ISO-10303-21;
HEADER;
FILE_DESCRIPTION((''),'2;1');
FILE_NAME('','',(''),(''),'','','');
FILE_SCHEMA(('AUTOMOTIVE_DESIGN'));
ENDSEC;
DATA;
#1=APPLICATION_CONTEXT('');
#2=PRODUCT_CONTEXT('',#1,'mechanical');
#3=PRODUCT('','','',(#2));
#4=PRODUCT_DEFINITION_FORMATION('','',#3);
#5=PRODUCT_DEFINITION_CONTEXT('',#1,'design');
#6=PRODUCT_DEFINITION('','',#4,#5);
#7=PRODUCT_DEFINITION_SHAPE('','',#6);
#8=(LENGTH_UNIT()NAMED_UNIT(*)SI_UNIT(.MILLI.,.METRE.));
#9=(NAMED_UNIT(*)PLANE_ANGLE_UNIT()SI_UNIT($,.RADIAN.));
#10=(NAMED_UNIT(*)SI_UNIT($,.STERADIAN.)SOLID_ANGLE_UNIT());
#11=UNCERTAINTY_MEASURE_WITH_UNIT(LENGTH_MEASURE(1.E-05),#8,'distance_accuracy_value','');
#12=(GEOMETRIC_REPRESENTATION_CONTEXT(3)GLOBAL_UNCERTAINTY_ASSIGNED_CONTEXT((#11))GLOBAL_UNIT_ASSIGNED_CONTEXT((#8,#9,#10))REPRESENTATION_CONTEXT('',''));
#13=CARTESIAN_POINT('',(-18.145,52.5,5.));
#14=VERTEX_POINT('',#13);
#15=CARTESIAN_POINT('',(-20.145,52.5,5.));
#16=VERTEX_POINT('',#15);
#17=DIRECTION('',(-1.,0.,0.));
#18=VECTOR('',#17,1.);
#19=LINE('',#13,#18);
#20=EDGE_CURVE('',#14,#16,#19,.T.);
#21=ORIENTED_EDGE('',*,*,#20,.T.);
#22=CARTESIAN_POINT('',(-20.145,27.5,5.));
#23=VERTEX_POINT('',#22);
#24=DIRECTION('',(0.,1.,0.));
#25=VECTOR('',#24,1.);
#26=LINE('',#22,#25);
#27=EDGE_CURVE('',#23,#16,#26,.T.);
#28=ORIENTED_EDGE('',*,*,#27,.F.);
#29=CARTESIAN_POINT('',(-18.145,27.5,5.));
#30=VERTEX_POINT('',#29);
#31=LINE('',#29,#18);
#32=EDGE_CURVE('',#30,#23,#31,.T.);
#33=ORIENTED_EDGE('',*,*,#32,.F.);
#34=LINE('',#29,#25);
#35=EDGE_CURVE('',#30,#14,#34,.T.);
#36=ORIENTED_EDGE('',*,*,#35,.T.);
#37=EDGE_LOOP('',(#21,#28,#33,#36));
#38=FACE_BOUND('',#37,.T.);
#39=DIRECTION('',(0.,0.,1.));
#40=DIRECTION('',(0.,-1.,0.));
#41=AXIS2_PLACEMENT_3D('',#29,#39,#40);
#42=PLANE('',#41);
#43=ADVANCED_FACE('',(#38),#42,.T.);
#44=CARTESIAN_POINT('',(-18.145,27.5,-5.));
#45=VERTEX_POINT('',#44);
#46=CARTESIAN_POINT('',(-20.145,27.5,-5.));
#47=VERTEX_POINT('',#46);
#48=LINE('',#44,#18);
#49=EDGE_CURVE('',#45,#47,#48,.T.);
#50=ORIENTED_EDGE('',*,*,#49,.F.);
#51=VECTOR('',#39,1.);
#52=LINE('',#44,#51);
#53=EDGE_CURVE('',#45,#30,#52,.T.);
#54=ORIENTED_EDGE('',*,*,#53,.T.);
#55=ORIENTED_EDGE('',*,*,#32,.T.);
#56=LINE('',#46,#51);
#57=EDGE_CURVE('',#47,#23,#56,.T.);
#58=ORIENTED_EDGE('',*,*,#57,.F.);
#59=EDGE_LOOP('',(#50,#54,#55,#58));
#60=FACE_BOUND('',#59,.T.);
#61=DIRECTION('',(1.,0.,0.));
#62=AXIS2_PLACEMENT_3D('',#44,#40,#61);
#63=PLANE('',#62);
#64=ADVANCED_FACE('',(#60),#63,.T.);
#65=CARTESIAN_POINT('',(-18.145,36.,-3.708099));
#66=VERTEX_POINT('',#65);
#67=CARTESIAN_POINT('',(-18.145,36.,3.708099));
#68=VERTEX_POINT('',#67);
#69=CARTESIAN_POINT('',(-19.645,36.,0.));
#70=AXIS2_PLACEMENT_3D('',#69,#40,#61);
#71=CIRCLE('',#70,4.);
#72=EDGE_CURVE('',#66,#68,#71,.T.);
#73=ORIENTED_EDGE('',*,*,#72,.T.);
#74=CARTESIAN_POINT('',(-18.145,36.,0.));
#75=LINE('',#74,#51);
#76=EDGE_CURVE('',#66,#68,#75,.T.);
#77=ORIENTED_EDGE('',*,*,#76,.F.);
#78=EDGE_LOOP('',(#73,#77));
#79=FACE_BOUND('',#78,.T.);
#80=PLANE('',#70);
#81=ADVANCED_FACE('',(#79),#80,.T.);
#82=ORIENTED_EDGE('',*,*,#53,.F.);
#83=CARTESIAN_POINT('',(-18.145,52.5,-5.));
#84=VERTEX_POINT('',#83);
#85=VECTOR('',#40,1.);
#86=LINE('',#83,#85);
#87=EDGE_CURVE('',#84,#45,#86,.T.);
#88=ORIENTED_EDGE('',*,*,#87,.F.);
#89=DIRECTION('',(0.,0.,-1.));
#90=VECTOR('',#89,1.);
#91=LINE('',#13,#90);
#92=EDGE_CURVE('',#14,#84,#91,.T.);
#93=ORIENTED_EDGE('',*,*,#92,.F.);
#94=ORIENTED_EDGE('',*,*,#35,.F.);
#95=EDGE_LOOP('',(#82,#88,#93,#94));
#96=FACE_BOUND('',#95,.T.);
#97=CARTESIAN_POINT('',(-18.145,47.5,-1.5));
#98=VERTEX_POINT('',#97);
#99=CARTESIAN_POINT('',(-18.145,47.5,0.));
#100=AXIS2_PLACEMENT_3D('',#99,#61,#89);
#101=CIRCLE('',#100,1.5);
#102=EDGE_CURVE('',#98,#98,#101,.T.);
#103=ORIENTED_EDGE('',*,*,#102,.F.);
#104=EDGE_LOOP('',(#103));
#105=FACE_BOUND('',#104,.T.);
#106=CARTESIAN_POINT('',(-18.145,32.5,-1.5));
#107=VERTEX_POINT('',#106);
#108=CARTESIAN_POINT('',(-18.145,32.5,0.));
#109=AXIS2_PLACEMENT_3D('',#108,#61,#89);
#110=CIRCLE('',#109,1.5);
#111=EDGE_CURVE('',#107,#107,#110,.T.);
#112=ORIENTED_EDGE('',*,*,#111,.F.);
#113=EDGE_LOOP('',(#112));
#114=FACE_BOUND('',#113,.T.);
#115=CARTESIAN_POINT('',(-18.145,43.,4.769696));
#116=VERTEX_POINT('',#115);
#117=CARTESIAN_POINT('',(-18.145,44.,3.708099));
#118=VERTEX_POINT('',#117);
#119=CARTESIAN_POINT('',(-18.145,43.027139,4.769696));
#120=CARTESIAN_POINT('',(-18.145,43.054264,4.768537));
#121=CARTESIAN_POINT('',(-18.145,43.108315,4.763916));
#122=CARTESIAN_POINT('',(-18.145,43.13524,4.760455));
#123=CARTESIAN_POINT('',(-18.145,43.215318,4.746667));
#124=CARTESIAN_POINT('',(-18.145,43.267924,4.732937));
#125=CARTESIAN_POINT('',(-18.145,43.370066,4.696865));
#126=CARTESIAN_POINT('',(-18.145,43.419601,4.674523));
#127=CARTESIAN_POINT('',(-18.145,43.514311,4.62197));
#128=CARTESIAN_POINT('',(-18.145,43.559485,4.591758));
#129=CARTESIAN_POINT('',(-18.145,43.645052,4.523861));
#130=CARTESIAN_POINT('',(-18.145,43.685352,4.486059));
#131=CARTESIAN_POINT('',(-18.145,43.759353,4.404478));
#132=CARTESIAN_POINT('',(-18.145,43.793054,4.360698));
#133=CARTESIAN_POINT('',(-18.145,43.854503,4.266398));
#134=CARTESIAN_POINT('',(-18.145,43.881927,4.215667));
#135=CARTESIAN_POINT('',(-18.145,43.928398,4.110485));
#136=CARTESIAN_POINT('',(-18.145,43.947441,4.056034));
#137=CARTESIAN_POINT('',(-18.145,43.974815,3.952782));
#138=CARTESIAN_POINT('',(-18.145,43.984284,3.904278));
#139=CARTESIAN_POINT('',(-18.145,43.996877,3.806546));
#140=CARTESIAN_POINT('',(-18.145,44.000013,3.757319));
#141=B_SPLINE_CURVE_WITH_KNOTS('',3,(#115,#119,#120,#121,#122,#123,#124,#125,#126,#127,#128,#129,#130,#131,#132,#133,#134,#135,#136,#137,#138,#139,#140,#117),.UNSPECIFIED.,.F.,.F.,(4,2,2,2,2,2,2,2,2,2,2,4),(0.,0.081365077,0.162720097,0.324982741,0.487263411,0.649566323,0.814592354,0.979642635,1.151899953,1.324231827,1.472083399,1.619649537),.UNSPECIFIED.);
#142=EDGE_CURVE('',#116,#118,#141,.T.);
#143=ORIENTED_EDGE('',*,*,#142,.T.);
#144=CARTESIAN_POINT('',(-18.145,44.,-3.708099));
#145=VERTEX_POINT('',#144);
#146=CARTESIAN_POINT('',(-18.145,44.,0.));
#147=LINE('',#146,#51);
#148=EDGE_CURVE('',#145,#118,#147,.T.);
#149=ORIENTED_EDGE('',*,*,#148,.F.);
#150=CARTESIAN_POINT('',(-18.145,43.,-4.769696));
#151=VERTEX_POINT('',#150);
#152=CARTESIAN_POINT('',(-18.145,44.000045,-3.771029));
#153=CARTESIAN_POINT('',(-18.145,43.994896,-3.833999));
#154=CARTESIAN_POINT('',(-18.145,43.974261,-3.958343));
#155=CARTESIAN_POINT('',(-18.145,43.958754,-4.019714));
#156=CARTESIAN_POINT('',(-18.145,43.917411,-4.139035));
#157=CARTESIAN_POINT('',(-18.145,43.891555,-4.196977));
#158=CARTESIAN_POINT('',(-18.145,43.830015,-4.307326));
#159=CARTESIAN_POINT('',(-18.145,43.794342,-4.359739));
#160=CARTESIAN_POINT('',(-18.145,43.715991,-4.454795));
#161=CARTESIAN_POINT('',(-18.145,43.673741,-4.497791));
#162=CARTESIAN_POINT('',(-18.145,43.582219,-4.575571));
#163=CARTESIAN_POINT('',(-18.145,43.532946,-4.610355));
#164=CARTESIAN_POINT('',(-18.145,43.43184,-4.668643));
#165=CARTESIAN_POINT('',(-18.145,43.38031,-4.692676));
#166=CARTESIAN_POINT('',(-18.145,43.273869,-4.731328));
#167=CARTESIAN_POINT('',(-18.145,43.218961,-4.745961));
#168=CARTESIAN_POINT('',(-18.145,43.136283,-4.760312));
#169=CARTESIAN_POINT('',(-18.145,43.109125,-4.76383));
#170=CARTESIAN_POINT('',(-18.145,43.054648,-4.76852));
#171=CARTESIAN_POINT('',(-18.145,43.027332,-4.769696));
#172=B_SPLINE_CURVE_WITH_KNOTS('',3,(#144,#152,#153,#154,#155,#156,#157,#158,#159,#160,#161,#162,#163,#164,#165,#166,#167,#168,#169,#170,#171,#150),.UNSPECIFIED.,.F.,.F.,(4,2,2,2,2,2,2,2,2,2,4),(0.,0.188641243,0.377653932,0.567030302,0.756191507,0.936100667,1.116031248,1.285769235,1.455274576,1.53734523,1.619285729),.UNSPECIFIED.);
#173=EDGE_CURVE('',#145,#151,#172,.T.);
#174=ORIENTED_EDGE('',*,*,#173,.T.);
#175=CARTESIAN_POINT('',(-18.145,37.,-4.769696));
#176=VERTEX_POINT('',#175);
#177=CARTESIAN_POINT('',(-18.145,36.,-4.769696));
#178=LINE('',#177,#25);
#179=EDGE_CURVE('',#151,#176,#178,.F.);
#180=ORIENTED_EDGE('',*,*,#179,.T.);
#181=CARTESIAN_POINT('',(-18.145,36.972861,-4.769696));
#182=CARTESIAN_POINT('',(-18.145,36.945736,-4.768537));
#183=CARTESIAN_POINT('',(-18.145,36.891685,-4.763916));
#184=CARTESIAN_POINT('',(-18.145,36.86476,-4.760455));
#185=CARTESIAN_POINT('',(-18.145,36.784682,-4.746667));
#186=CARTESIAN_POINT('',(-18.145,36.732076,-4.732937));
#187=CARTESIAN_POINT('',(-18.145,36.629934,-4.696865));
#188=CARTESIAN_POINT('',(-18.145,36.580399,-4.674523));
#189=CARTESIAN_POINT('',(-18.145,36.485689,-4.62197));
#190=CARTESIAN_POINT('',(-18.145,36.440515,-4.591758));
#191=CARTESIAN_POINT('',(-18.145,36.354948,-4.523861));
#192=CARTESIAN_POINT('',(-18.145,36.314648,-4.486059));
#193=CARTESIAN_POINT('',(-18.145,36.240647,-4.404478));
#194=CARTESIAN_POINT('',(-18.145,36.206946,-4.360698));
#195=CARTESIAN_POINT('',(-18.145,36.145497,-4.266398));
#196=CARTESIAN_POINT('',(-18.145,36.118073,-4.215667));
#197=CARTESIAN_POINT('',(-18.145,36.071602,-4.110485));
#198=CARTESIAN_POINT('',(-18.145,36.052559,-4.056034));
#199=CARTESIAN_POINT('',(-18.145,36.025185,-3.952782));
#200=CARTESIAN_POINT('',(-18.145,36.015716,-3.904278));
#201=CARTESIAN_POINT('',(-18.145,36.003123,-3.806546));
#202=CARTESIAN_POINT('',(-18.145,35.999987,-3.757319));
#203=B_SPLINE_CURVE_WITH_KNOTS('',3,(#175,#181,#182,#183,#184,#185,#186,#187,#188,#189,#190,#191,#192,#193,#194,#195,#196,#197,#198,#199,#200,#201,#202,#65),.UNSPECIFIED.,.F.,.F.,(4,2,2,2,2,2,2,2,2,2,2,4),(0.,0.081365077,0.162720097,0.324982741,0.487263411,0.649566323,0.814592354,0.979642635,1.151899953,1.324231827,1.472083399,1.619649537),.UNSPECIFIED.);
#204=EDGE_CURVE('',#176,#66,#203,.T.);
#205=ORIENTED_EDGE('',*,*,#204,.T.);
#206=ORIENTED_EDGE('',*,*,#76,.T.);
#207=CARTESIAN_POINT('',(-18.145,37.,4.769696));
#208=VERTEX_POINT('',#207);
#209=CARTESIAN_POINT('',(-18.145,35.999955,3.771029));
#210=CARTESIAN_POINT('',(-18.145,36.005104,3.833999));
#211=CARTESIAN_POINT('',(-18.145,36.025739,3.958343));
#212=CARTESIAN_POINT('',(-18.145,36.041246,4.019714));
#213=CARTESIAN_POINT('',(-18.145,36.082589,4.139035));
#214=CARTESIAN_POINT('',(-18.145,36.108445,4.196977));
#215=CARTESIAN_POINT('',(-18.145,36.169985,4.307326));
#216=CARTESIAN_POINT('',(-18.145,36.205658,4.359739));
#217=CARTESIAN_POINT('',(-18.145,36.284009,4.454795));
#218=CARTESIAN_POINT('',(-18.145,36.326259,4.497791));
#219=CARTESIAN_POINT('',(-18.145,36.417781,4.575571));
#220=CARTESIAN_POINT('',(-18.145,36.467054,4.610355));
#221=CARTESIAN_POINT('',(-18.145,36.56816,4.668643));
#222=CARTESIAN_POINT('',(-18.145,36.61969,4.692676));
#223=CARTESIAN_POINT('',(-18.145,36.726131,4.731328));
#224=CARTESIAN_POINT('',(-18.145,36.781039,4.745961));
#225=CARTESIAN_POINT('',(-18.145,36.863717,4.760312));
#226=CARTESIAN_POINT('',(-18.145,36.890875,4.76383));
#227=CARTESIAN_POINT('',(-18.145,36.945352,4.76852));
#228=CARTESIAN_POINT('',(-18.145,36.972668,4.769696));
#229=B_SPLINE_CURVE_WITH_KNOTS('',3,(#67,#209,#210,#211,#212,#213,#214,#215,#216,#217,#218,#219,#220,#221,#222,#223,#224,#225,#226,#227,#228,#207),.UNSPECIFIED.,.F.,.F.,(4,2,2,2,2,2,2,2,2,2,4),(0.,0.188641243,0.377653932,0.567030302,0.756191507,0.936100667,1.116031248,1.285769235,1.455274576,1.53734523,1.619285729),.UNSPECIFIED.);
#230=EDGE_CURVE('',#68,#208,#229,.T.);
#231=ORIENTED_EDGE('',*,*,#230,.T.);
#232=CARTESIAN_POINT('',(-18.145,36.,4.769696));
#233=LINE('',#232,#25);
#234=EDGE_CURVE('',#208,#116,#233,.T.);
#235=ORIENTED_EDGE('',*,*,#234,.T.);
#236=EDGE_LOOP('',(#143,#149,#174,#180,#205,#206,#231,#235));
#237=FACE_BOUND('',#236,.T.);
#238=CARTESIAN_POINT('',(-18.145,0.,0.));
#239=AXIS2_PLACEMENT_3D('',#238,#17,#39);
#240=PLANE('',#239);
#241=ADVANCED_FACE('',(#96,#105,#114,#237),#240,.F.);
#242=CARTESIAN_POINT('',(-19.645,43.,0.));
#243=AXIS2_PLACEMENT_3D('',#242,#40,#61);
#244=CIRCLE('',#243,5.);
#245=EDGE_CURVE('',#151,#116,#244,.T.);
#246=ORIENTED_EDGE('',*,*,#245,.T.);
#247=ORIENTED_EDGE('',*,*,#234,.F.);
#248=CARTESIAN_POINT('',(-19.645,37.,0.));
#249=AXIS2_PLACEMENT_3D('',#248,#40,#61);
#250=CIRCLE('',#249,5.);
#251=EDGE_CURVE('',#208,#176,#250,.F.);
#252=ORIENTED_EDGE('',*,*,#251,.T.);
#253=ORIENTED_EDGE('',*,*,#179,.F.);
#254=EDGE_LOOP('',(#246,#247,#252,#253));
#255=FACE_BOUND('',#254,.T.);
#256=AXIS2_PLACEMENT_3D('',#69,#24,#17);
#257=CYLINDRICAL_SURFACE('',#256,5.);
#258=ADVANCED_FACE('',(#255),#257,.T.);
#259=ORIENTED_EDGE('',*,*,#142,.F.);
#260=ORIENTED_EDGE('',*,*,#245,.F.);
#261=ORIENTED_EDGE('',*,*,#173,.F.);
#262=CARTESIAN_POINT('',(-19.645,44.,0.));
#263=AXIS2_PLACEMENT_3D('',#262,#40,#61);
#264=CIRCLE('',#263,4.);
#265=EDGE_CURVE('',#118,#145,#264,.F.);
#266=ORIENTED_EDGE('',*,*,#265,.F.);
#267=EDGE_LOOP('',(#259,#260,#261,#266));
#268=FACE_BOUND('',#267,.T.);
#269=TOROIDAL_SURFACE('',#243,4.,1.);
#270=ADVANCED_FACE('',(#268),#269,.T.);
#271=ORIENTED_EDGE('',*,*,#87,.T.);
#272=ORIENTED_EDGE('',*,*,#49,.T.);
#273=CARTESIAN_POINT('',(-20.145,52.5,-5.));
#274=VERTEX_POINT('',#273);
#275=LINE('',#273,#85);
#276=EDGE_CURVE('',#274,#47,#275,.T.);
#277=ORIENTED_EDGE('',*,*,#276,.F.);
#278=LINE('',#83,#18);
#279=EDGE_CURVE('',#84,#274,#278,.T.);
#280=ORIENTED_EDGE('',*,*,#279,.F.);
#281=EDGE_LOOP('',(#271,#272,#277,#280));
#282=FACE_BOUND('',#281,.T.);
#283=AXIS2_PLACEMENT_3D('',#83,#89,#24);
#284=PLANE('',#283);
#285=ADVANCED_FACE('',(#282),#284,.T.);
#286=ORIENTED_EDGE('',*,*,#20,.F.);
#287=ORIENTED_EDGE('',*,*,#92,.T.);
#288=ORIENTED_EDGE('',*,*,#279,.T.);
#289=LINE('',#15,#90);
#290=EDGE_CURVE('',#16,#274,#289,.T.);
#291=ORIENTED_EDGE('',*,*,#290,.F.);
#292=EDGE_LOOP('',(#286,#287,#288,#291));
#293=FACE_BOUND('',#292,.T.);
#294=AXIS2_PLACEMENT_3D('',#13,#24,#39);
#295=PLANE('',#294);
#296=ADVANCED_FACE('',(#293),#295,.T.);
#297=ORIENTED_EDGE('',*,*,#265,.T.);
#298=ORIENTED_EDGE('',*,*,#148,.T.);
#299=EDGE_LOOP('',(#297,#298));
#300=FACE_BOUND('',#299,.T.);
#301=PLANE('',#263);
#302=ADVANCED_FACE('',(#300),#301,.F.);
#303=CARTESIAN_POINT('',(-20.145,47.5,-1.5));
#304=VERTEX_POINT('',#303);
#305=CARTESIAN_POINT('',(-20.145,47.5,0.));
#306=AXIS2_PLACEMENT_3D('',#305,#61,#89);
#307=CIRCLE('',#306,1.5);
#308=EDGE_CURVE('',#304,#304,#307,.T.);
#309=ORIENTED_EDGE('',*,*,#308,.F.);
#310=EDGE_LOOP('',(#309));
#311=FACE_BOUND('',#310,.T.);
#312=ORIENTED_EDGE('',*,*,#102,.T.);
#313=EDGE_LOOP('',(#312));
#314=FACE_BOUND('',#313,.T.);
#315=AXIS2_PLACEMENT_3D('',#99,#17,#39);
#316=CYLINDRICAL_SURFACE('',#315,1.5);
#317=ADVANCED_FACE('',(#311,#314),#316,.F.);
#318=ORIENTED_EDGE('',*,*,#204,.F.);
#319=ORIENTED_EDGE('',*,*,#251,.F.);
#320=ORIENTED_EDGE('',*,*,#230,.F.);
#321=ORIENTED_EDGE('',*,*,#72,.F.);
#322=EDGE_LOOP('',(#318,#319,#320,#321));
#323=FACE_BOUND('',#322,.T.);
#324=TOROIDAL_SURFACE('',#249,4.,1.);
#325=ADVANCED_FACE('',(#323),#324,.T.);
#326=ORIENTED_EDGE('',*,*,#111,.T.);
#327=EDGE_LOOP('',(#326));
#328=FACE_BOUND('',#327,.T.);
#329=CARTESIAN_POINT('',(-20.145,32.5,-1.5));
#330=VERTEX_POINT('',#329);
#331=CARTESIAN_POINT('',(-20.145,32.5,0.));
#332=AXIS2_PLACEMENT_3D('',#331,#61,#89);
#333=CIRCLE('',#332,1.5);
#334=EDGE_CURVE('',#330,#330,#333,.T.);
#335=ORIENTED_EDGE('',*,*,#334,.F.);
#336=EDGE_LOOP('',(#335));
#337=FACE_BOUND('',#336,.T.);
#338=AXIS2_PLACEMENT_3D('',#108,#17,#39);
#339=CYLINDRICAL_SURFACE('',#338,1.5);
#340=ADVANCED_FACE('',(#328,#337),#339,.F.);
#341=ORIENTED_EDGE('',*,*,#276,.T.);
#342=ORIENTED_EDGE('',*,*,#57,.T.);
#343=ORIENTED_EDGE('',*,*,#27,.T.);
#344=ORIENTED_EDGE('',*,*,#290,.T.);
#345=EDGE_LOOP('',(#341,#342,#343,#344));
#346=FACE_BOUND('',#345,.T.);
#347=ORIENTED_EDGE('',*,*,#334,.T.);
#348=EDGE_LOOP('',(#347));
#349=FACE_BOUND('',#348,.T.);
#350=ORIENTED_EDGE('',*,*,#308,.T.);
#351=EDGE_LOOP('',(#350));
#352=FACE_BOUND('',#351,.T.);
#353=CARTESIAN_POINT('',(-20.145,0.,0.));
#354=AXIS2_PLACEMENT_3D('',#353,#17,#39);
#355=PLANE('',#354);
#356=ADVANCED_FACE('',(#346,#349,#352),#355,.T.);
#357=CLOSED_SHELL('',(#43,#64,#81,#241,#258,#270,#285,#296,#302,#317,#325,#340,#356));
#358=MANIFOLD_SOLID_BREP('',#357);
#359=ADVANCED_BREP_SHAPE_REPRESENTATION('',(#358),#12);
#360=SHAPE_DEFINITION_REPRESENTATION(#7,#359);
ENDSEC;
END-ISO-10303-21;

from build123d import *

# Parameters (mm, degrees)
SKETCH1_W           = 10
SKETCH1_H           = 25
SKETCH1_R           = 1.5
BOSS_EXTRUDE1_DEPTH = 2
BOSS_EXTRUDE2_START = -56
BOSS_EXTRUDE2_DEPTH = 8
FILLET1_R           = 1


with BuildPart() as part:
    # Sketch1 → Boss-Extrude1 (new body)
    with BuildSketch(Plane(origin=(-20.145, 0, 0), x_dir=(0, 0, -1), z_dir=(1, 0, 0))):
        with Locations((0, 40)):
            Rectangle(SKETCH1_W, SKETCH1_H)
        with Locations((0, 47.5)):
            Circle(SKETCH1_R, mode=Mode.SUBTRACT)
        with Locations((0, 32.5)):
            Circle(SKETCH1_R, mode=Mode.SUBTRACT)
    extrude(amount=BOSS_EXTRUDE1_DEPTH)

    # Sketch2 → Boss-Extrude2 (add)
    with BuildSketch(Plane(origin=(0, 100, 0), x_dir=(1, 0, 0), z_dir=(0, 1, 0)).offset(BOSS_EXTRUDE2_START)):
        with BuildLine():
            Line((-19.645, 5), (-19.645, -5))
            ThreePointArc((-19.645, -5), (-14.645, 0), (-19.645, 5))
        make_face()
    extrude(amount=-BOSS_EXTRUDE2_DEPTH)

    # Fillet1
    fillet1_edges = [part.edges().sort_by_distance(p)[0] for p in [
        (-14.645, 36, 0),
        (-14.645, 44, 0),
    ]]
    fillet(fillet1_edges, radius=FILLET1_R)


solid = part.part
